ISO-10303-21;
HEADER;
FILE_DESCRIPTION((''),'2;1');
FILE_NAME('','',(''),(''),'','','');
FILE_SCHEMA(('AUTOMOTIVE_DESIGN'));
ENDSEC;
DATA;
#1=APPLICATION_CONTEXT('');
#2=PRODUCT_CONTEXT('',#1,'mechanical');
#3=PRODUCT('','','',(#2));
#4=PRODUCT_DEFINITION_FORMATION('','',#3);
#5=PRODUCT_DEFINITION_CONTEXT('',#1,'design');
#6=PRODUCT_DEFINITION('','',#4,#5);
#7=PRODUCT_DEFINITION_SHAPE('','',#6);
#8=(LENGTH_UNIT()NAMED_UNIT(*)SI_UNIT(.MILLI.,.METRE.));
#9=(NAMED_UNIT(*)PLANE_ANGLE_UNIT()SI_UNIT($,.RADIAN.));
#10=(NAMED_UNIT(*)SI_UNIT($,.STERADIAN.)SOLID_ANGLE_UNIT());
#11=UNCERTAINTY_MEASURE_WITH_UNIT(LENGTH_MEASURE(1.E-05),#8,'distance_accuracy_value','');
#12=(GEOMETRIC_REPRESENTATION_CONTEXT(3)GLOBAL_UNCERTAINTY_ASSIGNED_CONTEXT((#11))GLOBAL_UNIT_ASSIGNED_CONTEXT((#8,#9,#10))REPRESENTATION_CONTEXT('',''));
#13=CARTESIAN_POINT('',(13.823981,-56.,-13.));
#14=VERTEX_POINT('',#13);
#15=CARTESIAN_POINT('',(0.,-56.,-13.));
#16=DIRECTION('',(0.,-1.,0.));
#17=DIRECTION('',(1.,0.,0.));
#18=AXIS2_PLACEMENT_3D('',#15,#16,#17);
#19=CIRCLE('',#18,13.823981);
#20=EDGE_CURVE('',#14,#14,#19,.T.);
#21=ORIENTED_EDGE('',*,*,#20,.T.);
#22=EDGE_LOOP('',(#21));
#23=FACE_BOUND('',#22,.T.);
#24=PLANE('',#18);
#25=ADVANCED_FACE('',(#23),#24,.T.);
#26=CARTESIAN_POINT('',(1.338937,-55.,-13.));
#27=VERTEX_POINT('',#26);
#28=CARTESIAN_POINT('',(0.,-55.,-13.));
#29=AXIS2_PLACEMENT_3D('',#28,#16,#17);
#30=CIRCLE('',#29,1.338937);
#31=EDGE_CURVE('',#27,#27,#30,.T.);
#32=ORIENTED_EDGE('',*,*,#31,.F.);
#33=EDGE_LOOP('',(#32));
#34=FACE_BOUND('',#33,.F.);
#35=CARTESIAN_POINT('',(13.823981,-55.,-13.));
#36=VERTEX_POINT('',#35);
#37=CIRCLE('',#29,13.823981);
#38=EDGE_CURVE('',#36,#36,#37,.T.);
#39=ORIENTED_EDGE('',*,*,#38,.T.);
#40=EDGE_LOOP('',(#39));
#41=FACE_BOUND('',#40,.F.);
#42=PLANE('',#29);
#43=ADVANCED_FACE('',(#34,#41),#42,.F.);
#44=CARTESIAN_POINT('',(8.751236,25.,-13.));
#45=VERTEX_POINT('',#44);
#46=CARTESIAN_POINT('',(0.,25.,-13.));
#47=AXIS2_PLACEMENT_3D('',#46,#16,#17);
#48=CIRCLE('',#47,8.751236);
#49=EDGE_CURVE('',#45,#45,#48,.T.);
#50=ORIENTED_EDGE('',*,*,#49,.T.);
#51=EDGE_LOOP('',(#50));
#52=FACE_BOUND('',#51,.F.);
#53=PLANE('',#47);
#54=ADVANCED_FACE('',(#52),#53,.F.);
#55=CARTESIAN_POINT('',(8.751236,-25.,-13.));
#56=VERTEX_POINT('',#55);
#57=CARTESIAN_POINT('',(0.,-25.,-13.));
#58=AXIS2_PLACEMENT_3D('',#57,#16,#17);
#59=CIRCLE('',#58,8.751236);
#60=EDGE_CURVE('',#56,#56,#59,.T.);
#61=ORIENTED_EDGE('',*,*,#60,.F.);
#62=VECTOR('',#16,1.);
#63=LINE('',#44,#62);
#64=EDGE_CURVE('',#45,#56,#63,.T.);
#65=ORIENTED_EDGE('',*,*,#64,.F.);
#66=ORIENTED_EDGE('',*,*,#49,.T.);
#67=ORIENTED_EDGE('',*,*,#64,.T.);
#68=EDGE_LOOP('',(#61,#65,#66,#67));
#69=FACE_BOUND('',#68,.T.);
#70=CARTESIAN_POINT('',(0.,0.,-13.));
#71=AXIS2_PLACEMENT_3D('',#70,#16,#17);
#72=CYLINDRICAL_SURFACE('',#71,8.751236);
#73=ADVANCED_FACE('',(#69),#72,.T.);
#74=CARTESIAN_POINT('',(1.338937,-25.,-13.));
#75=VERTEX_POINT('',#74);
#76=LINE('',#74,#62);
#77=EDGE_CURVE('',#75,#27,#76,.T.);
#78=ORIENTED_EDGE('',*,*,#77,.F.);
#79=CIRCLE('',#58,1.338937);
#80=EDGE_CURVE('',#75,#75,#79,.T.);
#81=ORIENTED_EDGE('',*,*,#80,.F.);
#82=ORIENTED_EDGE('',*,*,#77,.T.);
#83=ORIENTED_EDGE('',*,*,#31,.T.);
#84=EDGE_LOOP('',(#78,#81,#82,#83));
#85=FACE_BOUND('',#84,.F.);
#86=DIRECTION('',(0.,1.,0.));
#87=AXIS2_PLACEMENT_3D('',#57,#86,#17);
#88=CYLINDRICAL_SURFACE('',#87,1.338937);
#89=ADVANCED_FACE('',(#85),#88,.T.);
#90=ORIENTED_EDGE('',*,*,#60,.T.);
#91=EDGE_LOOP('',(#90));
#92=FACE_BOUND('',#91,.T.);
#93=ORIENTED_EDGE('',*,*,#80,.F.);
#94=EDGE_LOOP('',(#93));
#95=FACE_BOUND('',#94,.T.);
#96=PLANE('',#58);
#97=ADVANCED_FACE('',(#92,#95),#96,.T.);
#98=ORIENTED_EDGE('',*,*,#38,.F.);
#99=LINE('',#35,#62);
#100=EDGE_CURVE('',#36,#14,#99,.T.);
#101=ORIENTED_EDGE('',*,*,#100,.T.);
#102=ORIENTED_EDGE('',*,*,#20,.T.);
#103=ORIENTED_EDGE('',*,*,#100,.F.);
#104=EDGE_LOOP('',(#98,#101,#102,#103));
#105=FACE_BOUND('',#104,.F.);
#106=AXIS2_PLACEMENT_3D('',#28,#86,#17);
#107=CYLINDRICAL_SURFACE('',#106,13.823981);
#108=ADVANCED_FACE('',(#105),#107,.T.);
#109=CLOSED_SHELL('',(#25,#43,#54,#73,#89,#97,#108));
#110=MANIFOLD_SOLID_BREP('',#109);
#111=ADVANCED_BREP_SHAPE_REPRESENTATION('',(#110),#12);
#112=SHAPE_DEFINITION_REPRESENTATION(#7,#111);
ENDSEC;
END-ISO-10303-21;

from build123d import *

# Parameters (mm, degrees)
SKETCH003_R  = 8.751236
PAD002_DEPTH = 25
SKETCH004_R  = 1.338937
PAD003_DEPTH = 30
SKETCH005_R  = 13.823981
PAD004_DEPTH = 1


with BuildPart() as part:
    # Sketch003 → Pad002 (new body, symmetric)
    with BuildSketch(Plane.XZ):
        Circle(SKETCH003_R)
    extrude(amount=PAD002_DEPTH, both=True)

    # Sketch004 (on Face3 of Pad002) → Pad003 (join)
    with BuildSketch(Plane.XZ.offset(25)):
        Circle(SKETCH004_R)
    extrude(amount=PAD003_DEPTH)

    # Sketch005 (on Face5 of Pad003) → Pad004 (join)
    with BuildSketch(Plane.XZ.offset(55)):
        Circle(SKETCH005_R)
    extrude(amount=PAD004_DEPTH)


with BuildPart() as part_1:
    # Body002 placement: moved
    add(part.part.moved(Location((0, 0, -13))))


solid = part_1.part
